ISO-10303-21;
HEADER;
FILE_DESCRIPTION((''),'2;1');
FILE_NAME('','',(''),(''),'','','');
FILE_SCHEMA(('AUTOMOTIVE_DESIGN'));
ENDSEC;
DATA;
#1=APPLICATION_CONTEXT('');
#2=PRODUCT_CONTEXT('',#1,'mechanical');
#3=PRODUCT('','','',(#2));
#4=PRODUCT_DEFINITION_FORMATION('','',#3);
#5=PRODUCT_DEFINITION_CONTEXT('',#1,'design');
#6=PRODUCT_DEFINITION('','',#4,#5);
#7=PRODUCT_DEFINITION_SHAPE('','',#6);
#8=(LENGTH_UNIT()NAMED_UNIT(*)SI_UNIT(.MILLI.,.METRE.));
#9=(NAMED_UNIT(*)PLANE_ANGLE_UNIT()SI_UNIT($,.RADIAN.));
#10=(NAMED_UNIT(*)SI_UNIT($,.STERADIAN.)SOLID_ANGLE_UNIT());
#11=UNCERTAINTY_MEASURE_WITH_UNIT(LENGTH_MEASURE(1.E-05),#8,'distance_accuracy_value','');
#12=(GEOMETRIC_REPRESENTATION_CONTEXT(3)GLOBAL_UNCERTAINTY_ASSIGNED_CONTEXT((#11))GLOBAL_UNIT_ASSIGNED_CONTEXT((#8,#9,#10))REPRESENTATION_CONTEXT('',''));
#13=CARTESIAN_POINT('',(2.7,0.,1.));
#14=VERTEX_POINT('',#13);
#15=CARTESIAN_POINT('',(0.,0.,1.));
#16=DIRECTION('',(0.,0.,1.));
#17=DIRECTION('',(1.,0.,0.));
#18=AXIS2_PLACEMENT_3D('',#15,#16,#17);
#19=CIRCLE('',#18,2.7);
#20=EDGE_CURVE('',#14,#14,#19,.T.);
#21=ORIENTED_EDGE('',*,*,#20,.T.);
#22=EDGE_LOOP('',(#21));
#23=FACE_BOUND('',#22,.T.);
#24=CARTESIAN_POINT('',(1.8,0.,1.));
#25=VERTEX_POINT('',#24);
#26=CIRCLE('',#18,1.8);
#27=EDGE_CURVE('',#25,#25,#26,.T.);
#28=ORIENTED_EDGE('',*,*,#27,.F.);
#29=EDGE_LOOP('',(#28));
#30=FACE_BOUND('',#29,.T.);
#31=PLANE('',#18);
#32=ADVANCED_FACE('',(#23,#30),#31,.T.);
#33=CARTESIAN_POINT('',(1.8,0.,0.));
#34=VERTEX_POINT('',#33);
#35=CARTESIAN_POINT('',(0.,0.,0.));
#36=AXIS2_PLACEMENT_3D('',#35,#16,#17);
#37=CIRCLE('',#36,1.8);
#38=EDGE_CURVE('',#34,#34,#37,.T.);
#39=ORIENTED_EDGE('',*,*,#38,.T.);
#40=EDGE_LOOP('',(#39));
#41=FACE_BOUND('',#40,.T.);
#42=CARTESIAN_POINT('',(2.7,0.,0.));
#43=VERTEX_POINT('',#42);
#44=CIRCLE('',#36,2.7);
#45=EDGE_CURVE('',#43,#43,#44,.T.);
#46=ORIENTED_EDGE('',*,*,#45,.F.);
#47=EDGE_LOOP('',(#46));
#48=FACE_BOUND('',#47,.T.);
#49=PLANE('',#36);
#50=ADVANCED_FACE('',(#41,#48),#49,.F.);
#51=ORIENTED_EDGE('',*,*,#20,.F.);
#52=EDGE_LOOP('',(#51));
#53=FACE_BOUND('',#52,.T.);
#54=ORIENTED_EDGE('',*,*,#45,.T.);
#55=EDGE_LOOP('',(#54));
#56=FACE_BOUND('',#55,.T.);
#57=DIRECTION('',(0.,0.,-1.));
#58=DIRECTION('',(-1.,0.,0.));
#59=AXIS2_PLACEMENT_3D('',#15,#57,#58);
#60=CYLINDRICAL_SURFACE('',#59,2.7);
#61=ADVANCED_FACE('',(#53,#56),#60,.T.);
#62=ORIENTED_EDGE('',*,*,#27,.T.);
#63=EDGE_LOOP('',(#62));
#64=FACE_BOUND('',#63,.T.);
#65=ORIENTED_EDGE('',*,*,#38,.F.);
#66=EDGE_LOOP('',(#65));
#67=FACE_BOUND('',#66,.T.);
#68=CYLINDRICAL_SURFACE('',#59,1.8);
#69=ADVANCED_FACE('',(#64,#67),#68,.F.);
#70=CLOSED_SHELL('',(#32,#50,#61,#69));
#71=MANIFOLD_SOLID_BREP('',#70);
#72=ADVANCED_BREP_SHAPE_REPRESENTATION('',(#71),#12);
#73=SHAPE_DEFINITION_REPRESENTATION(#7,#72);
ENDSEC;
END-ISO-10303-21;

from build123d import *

# Parameters (mm, degrees)
SKETCH_1_R      = 2.7
SKETCH_1_R_2    = 1.8
EXTRUDE_1_DEPTH = 1


with BuildPart() as part:
    # 草图1 → 凸台-拉伸1 (new body)
    with BuildSketch(Plane.XY):
        Circle(SKETCH_1_R)
        Circle(SKETCH_1_R_2, mode=Mode.SUBTRACT)
    extrude(amount=EXTRUDE_1_DEPTH)


solid = part.part
